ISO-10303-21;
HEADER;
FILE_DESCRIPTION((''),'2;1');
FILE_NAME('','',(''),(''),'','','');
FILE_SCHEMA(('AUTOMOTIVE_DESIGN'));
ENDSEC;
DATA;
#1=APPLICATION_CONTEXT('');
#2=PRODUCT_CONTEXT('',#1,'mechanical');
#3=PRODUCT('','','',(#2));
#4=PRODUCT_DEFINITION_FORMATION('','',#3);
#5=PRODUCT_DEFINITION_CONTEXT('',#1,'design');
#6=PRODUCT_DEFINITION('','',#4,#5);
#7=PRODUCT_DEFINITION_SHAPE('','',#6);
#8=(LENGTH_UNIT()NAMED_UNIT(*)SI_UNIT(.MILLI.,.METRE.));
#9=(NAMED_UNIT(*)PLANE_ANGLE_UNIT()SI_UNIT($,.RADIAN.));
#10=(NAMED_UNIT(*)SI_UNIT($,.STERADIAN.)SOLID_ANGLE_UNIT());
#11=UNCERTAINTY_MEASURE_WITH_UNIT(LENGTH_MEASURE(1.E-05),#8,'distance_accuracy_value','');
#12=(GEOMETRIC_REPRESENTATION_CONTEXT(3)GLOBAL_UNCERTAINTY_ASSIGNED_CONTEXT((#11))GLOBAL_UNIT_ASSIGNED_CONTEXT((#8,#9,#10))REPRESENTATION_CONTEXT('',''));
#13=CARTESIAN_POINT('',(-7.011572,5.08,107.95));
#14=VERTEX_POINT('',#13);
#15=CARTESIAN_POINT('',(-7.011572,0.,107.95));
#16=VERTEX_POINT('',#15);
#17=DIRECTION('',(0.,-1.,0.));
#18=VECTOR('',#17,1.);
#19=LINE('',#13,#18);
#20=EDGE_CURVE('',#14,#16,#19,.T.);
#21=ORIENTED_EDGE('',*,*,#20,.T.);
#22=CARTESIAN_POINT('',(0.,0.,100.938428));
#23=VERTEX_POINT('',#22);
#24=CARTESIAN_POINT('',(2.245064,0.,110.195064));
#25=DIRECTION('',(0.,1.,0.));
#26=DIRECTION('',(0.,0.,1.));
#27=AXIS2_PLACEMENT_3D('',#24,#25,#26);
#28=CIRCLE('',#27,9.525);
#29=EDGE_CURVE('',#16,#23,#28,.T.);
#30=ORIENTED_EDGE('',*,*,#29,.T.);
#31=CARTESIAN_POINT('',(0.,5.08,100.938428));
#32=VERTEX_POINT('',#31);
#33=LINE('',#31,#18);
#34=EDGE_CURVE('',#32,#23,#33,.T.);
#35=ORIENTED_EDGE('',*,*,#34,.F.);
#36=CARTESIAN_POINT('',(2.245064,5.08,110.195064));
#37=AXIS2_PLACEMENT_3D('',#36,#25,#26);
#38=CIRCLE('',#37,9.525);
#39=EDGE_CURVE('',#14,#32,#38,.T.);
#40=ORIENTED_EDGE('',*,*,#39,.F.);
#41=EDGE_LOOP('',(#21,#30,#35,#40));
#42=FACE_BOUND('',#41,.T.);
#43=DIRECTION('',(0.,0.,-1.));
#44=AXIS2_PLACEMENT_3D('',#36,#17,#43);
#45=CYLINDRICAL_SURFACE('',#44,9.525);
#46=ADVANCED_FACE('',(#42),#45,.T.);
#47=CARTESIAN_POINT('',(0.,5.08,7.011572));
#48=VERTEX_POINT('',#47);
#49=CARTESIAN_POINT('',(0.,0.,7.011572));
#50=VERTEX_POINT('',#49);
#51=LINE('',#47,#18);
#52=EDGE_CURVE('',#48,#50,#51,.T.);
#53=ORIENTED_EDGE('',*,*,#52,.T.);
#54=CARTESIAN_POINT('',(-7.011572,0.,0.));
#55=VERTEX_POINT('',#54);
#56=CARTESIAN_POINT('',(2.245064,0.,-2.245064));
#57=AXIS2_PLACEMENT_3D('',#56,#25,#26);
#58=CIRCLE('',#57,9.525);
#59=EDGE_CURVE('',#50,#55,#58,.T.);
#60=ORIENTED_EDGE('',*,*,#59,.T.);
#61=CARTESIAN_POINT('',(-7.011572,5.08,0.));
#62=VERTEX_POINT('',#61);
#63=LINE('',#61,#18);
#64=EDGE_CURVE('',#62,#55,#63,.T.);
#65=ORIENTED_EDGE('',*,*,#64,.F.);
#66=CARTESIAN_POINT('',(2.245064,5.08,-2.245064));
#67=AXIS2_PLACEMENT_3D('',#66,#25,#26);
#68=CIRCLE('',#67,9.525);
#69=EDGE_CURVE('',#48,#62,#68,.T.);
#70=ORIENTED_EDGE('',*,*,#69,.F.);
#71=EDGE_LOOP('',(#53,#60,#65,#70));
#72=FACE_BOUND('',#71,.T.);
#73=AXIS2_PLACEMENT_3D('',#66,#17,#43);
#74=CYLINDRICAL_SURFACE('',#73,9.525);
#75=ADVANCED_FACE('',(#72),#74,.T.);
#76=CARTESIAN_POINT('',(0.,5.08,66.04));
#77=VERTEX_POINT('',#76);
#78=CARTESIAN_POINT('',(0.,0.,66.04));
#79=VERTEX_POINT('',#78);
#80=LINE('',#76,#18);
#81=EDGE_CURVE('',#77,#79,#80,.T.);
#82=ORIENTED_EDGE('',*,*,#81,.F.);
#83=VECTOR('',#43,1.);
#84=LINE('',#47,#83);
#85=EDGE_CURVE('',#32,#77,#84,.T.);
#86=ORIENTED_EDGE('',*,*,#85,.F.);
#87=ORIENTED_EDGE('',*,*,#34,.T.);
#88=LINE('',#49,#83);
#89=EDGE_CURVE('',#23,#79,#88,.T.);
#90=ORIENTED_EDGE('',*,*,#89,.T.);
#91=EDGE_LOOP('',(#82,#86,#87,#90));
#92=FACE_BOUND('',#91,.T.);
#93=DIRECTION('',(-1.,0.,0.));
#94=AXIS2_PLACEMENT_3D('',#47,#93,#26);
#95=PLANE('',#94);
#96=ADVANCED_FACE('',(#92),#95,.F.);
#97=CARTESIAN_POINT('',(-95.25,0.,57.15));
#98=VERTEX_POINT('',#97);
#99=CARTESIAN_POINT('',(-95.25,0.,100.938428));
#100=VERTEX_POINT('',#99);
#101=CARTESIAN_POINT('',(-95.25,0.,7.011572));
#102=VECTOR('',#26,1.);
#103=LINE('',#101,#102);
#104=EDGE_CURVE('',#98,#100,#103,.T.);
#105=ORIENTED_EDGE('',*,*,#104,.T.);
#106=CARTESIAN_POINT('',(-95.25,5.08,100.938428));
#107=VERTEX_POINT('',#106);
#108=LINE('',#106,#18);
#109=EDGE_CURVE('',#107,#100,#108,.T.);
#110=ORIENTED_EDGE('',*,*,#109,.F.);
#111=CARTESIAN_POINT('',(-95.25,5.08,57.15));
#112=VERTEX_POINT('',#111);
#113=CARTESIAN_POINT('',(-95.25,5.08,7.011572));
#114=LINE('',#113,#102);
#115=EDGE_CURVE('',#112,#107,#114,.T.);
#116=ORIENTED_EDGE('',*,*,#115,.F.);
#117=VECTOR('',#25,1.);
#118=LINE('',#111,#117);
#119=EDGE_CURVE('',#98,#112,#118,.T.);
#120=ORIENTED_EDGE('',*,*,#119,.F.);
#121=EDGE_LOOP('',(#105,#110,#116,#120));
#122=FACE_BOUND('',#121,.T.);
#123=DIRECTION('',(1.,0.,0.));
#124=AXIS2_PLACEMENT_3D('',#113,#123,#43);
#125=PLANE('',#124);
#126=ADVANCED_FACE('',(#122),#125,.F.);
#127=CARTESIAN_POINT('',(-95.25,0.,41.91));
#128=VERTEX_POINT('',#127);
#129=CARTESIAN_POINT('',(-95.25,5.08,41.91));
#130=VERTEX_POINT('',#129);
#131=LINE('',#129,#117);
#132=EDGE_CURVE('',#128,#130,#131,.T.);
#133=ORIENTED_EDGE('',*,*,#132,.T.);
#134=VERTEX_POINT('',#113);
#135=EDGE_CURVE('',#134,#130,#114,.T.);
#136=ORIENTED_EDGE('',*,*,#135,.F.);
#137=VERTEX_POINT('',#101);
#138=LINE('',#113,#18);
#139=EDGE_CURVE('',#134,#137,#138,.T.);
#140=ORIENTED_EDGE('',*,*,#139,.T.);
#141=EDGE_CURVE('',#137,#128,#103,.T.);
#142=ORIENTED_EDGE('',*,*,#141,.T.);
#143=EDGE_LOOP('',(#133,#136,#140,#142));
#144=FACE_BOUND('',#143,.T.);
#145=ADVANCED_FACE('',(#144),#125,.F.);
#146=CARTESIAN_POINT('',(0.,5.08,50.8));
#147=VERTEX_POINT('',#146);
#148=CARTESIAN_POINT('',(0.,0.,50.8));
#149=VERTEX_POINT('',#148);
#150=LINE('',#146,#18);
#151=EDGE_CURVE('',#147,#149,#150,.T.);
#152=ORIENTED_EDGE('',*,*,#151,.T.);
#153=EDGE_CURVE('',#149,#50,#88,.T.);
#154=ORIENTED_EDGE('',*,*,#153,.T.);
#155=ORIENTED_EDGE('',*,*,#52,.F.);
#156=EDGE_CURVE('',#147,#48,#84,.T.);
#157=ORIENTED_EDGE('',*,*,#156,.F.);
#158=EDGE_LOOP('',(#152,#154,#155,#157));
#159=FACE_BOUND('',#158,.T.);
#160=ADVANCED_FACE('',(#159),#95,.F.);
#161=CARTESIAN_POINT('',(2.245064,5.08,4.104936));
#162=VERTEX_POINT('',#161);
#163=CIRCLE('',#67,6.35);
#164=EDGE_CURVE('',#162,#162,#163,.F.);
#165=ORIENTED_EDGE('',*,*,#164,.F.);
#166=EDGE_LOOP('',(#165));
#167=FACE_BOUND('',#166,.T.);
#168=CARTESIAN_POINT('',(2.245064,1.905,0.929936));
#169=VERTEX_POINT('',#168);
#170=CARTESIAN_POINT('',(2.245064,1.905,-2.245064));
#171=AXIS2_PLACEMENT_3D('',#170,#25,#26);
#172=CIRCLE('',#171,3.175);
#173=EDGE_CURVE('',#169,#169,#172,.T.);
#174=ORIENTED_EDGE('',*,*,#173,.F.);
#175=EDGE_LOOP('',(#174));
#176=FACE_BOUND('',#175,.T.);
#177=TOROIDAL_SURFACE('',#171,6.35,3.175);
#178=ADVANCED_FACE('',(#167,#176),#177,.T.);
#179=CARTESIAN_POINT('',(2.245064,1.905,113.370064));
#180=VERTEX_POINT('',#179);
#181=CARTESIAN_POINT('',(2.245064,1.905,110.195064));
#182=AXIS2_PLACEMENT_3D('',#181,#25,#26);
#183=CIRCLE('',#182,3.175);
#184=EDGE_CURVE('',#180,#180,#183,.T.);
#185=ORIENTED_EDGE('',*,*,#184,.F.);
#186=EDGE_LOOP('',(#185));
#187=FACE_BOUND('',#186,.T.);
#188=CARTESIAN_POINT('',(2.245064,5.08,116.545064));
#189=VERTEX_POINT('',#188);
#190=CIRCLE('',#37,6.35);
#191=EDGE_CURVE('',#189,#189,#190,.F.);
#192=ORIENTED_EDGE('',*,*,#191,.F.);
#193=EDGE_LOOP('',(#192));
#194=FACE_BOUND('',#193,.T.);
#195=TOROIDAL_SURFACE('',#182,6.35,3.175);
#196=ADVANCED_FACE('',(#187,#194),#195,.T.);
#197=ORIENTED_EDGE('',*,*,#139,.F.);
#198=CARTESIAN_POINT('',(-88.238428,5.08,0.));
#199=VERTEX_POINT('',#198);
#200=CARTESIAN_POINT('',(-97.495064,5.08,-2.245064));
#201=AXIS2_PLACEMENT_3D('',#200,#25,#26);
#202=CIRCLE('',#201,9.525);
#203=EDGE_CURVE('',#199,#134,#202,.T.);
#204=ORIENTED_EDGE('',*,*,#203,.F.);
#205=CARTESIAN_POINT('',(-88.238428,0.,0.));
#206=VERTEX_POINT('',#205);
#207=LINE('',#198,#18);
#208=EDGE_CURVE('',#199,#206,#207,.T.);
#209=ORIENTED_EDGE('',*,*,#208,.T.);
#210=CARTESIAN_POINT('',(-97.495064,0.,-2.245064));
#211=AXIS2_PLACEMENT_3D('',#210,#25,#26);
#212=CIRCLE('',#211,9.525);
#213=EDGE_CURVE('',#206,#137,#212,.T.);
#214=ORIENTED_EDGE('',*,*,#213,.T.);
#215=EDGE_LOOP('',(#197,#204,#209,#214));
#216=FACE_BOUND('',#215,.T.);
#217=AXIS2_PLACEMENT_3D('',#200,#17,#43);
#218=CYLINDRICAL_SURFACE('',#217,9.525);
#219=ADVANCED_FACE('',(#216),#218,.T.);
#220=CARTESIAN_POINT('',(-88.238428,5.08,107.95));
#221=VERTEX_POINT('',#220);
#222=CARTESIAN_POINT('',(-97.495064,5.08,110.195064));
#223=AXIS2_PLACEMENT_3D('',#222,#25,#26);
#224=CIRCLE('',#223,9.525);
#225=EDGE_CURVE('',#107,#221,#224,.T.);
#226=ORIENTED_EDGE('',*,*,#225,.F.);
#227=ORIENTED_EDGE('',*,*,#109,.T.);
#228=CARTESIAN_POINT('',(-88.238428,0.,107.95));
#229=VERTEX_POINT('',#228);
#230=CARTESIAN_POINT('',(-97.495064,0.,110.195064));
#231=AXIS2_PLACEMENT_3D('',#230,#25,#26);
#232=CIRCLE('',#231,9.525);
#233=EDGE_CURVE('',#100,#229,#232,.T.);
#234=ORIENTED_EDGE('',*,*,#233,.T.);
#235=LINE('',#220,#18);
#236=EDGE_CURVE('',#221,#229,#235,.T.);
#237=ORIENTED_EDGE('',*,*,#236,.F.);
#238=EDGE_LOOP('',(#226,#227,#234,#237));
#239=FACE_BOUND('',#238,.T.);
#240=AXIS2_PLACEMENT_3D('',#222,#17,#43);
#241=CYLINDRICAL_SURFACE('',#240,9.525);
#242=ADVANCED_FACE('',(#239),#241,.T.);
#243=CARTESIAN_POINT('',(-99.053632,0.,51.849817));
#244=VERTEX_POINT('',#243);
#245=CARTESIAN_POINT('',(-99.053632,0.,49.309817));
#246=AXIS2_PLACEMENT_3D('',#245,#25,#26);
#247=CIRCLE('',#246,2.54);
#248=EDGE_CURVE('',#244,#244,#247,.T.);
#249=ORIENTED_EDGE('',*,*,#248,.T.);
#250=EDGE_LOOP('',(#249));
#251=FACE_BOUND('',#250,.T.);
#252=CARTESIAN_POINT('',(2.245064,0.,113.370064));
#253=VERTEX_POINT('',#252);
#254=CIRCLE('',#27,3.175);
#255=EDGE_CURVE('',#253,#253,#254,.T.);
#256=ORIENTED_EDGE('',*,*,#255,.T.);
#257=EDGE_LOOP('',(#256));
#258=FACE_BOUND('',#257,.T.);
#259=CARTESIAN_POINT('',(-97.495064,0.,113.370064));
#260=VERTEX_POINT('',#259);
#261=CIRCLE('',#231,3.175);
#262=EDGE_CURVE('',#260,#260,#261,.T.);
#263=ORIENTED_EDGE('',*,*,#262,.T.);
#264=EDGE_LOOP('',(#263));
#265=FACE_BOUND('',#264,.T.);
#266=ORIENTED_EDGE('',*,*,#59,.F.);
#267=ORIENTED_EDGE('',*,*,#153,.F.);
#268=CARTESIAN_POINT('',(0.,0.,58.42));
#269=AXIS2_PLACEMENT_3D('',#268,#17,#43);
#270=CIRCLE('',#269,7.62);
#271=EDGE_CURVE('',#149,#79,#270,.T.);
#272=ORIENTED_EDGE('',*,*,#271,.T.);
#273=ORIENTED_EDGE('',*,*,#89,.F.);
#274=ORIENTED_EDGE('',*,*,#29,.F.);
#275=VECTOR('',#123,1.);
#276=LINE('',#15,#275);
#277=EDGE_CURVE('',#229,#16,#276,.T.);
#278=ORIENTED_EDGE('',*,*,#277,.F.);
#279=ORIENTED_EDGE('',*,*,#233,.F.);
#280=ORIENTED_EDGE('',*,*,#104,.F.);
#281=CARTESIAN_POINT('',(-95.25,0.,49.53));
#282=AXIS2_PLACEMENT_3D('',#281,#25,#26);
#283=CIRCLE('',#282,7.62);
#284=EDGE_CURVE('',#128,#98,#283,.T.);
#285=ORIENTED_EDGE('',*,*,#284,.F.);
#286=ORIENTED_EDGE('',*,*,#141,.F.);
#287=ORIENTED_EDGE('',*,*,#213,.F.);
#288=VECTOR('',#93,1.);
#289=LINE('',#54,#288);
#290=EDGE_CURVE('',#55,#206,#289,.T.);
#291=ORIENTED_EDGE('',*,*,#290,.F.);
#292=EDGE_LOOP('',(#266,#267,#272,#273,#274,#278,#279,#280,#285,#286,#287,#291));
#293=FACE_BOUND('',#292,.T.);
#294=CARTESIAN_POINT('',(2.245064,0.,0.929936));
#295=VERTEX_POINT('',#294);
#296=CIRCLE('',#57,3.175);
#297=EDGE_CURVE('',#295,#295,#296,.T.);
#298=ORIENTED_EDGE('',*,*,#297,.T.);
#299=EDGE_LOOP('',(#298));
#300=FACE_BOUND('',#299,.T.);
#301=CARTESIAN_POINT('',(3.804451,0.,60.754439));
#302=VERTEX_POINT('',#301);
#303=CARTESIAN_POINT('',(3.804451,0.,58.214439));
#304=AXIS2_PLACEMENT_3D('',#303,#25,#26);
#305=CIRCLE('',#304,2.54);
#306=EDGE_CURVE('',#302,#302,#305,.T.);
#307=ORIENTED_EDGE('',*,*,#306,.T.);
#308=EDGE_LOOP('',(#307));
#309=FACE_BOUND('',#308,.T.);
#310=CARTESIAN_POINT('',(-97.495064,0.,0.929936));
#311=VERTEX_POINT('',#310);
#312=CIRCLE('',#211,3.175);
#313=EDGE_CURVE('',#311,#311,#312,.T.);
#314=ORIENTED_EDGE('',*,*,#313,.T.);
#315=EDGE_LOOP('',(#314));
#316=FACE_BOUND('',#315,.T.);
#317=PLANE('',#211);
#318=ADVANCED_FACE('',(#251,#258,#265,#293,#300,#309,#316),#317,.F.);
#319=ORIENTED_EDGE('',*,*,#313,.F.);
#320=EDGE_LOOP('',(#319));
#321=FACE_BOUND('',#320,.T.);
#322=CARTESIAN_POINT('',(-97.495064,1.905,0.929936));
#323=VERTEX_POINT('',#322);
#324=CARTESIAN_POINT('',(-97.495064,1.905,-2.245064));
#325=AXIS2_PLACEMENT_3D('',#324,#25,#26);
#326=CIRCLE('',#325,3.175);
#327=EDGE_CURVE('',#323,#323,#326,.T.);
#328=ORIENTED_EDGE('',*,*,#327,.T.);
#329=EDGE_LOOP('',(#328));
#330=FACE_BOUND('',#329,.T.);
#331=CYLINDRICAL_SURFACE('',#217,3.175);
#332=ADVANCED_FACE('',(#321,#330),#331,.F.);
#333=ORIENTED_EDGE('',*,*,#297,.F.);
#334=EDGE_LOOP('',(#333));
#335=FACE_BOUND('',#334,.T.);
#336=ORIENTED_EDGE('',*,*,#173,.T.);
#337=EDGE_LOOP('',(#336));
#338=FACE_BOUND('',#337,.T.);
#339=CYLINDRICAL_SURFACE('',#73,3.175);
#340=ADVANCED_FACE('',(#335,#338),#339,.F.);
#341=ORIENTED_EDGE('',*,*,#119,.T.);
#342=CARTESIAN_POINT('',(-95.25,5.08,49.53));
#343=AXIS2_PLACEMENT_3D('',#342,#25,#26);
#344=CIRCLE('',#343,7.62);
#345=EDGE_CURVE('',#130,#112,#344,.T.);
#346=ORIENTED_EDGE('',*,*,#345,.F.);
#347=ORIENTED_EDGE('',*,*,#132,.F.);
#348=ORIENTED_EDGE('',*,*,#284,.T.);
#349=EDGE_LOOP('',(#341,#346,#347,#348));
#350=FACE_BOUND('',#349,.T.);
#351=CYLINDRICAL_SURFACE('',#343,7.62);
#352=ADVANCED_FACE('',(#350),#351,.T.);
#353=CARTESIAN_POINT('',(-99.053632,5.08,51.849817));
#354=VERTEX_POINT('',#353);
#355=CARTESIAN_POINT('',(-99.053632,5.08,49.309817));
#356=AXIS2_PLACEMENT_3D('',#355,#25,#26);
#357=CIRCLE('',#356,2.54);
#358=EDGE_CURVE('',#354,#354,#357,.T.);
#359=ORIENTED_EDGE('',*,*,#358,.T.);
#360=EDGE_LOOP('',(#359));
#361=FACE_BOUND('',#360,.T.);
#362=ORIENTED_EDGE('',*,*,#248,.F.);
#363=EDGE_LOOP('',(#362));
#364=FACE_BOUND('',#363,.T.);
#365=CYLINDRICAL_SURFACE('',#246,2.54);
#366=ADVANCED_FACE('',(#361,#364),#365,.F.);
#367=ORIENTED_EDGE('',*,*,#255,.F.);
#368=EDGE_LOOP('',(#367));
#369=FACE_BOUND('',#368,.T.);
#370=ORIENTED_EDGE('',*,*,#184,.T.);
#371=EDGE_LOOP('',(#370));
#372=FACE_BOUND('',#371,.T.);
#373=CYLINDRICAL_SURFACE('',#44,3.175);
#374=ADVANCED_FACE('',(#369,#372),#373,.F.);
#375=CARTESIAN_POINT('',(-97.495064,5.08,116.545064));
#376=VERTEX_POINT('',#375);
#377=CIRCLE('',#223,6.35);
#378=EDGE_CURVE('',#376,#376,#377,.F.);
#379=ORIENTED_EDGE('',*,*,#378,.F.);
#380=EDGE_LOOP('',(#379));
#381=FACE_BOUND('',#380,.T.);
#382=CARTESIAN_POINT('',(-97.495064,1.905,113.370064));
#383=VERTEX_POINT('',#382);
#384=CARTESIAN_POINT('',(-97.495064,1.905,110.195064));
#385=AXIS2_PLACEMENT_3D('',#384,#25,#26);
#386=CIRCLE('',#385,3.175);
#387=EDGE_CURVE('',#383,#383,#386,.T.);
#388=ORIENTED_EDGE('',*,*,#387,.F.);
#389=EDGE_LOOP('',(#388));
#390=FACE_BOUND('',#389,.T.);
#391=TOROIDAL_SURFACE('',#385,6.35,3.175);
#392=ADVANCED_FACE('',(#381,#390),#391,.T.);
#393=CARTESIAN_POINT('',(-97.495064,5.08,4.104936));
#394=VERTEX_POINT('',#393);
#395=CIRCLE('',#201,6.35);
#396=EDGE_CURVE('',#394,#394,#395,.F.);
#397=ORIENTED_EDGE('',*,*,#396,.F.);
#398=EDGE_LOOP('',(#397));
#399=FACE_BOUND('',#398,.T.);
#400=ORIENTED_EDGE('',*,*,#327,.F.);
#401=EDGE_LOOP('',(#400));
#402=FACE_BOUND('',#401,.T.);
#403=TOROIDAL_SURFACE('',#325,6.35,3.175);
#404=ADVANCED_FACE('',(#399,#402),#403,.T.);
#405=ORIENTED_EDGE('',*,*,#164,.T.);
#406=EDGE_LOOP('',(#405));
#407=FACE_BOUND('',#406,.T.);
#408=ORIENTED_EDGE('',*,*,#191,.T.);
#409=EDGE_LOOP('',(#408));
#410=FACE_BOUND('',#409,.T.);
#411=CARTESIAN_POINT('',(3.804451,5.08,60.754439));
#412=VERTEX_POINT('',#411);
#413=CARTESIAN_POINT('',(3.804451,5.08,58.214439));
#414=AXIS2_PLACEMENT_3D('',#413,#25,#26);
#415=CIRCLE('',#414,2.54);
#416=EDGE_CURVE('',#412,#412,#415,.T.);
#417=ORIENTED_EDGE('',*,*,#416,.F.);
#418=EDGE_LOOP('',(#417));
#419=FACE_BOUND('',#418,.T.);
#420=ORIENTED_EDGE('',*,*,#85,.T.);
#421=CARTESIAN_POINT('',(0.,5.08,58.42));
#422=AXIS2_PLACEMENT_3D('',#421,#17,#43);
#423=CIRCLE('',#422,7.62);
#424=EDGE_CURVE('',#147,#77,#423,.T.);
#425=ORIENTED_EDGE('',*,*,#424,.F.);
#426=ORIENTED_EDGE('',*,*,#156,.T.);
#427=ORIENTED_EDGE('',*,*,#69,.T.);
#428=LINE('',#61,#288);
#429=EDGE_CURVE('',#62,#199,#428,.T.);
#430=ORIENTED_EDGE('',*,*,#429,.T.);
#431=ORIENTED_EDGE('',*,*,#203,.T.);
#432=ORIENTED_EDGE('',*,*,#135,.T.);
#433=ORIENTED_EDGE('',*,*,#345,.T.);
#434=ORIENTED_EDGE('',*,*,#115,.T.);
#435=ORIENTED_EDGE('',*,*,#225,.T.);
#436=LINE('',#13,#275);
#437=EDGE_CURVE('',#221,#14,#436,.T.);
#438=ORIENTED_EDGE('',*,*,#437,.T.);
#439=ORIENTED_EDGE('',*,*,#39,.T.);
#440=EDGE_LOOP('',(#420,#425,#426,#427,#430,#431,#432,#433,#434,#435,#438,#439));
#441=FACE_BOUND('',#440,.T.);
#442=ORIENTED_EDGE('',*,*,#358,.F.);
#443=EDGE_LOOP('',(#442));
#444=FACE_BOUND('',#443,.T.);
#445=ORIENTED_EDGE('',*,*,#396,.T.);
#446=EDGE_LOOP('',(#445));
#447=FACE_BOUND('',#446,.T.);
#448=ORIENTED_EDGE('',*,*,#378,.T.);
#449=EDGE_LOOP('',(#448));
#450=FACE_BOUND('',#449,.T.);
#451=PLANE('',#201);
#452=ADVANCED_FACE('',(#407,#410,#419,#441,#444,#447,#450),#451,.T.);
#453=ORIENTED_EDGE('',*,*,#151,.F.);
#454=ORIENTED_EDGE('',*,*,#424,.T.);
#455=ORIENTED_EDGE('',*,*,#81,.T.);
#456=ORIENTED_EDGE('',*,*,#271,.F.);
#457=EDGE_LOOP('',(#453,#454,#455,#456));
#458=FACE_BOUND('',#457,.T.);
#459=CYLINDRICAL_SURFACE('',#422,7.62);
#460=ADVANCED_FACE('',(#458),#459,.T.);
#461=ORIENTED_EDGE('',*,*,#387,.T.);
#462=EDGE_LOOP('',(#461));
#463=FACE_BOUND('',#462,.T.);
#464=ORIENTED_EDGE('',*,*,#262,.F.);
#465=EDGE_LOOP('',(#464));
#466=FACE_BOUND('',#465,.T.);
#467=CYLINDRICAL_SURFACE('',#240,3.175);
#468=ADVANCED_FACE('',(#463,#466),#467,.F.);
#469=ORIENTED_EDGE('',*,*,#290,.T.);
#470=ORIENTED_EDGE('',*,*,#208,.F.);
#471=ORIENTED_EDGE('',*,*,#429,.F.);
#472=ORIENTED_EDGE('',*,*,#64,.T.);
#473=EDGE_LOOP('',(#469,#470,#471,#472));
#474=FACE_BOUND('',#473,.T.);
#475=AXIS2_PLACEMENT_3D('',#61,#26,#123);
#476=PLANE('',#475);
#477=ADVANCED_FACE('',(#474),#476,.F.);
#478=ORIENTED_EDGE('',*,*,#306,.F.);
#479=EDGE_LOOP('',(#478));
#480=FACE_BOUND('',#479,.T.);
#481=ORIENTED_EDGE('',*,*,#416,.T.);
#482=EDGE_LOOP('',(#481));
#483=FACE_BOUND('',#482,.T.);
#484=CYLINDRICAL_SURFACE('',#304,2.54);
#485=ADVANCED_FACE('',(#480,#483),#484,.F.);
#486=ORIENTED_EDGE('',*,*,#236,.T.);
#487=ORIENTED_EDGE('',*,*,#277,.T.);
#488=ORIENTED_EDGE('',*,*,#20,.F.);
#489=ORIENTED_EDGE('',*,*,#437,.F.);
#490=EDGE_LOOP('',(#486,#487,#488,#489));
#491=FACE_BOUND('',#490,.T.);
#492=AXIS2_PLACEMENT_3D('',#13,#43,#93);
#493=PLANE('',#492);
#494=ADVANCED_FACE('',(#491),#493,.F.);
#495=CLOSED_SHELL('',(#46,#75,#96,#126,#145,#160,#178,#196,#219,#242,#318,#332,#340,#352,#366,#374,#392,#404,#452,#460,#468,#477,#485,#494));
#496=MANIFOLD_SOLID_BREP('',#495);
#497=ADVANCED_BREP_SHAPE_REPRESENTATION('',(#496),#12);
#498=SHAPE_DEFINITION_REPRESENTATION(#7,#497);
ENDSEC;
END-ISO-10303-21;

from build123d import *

# Parameters (mm, degrees)
SKETCH1_R           = 3.175
BOSS_EXTRUDE1_DEPTH = 5.08
SKETCH2_W           = 7.62
SKETCH2_H           = 5.08
REVOLVE1_ANGLE      = 180
SKETCH3_W           = 7.62
SKETCH3_H           = 5.08
REVOLVE2_ANGLE      = 180
SKETCH4_R           = 2.54
CUT_EXTRUDE1_DEPTH  = 161.661116131
SKETCH5_R           = 2.54
CUT_EXTRUDE2_DEPTH  = 161.661116131
FILLET1_R           = 3.175


with BuildPart() as part:
    # Sketch1 → Boss-Extrude1 (new body)
    with BuildSketch(Plane(origin=(0, 0, 0), x_dir=(1, 0, 0), z_dir=(0, 1, 0))):
        with BuildLine():
            Line((-7.011572103, 0), (-88.238427897, 0))
            ThreePointArc((-88.238427897, 0), (-104.230256121, 8.980256121), (-95.25, -7.011572103))
            Line((-95.25, -7.011572103), (-95.25, -100.938427897))
            ThreePointArc((-95.25, -100.938427897), (-104.230256121, -116.930256121), (-88.238427897, -107.95))
            Line((-88.238427897, -107.95), (-7.011572103, -107.95))
            ThreePointArc((-7.011572103, -107.95), (8.980256121, -116.930256121), (0, -100.938427897))
            Line((0, -100.938427897), (0, -7.011572103))
            ThreePointArc((0, -7.011572103), (8.980256121, 8.980256121), (-7.011572103, 0))
        make_face()
        with Locations(Location((-97.49506403, 2.24506403, 0), (0, 0, 270))):
            Circle(SKETCH1_R, mode=Mode.SUBTRACT)
        with Locations(Location((2.24506403, 2.24506403, 0), (0, 0, 270))):
            Circle(SKETCH1_R, mode=Mode.SUBTRACT)
        with Locations(Location((2.24506403, -110.19506403, 0), (0, 0, 270))):
            Circle(SKETCH1_R, mode=Mode.SUBTRACT)
        with Locations(Location((-97.49506403, -110.19506403, 0), (0, 0, 270))):
            Circle(SKETCH1_R, mode=Mode.SUBTRACT)
    extrude(amount=BOSS_EXTRUDE1_DEPTH)

    # Sketch2 → Revolve1 (revolve)
    with BuildSketch(Plane.ZY.offset(95.25)):
        with Locations((53.34, 2.54)):
            Rectangle(SKETCH2_W, SKETCH2_H)
    revolve(axis=Axis((-95.25, 5.08, 49.53), (0, -1, 0)), revolution_arc=REVOLVE1_ANGLE)

    # Sketch3 → Revolve2 (revolve)
    with BuildSketch(Plane(origin=(0, 0, 0), x_dir=(0, 0, -1), z_dir=(1, 0, 0))):
        with Locations((-62.23, 2.54)):
            Rectangle(SKETCH3_W, SKETCH3_H)
    revolve(axis=Axis((0, 5.08, 58.42), (0, 1, 0)), revolution_arc=REVOLVE2_ANGLE)

    # Sketch4 → Cut-Extrude1 (cut, through all)
    with BuildSketch(Plane(origin=(0, 5.08, 0), x_dir=(1, 0, 0), z_dir=(0, 1, 0))):
        with Locations(Location((-99.053632383, -49.309816677, 0), (0, 0, 270))):
            Circle(SKETCH4_R)
    extrude(amount=-CUT_EXTRUDE1_DEPTH, mode=Mode.SUBTRACT)

    # Sketch5 → Cut-Extrude2 (cut, through all)
    with BuildSketch(Plane(origin=(0, 5.08, 0), x_dir=(1, 0, 0), z_dir=(0, 1, 0))):
        with Locations(Location((3.804450658, -58.214439329, 0), (0, 0, 270))):
            Circle(SKETCH5_R)
    extrude(amount=-CUT_EXTRUDE2_DEPTH, mode=Mode.SUBTRACT)

    # Fillet1
    fillet1_edges = [part.edges().sort_by_distance(p)[0] for p in [
        (-97.49506403, 5.08, -5.42006403),
        (2.24506403, 5.08, -5.42006403),
        (2.24506403, 5.08, 107.02006403),
        (-97.49506403, 5.08, 107.02006403),
    ]]
    fillet(fillet1_edges, radius=FILLET1_R)


solid = part.part
